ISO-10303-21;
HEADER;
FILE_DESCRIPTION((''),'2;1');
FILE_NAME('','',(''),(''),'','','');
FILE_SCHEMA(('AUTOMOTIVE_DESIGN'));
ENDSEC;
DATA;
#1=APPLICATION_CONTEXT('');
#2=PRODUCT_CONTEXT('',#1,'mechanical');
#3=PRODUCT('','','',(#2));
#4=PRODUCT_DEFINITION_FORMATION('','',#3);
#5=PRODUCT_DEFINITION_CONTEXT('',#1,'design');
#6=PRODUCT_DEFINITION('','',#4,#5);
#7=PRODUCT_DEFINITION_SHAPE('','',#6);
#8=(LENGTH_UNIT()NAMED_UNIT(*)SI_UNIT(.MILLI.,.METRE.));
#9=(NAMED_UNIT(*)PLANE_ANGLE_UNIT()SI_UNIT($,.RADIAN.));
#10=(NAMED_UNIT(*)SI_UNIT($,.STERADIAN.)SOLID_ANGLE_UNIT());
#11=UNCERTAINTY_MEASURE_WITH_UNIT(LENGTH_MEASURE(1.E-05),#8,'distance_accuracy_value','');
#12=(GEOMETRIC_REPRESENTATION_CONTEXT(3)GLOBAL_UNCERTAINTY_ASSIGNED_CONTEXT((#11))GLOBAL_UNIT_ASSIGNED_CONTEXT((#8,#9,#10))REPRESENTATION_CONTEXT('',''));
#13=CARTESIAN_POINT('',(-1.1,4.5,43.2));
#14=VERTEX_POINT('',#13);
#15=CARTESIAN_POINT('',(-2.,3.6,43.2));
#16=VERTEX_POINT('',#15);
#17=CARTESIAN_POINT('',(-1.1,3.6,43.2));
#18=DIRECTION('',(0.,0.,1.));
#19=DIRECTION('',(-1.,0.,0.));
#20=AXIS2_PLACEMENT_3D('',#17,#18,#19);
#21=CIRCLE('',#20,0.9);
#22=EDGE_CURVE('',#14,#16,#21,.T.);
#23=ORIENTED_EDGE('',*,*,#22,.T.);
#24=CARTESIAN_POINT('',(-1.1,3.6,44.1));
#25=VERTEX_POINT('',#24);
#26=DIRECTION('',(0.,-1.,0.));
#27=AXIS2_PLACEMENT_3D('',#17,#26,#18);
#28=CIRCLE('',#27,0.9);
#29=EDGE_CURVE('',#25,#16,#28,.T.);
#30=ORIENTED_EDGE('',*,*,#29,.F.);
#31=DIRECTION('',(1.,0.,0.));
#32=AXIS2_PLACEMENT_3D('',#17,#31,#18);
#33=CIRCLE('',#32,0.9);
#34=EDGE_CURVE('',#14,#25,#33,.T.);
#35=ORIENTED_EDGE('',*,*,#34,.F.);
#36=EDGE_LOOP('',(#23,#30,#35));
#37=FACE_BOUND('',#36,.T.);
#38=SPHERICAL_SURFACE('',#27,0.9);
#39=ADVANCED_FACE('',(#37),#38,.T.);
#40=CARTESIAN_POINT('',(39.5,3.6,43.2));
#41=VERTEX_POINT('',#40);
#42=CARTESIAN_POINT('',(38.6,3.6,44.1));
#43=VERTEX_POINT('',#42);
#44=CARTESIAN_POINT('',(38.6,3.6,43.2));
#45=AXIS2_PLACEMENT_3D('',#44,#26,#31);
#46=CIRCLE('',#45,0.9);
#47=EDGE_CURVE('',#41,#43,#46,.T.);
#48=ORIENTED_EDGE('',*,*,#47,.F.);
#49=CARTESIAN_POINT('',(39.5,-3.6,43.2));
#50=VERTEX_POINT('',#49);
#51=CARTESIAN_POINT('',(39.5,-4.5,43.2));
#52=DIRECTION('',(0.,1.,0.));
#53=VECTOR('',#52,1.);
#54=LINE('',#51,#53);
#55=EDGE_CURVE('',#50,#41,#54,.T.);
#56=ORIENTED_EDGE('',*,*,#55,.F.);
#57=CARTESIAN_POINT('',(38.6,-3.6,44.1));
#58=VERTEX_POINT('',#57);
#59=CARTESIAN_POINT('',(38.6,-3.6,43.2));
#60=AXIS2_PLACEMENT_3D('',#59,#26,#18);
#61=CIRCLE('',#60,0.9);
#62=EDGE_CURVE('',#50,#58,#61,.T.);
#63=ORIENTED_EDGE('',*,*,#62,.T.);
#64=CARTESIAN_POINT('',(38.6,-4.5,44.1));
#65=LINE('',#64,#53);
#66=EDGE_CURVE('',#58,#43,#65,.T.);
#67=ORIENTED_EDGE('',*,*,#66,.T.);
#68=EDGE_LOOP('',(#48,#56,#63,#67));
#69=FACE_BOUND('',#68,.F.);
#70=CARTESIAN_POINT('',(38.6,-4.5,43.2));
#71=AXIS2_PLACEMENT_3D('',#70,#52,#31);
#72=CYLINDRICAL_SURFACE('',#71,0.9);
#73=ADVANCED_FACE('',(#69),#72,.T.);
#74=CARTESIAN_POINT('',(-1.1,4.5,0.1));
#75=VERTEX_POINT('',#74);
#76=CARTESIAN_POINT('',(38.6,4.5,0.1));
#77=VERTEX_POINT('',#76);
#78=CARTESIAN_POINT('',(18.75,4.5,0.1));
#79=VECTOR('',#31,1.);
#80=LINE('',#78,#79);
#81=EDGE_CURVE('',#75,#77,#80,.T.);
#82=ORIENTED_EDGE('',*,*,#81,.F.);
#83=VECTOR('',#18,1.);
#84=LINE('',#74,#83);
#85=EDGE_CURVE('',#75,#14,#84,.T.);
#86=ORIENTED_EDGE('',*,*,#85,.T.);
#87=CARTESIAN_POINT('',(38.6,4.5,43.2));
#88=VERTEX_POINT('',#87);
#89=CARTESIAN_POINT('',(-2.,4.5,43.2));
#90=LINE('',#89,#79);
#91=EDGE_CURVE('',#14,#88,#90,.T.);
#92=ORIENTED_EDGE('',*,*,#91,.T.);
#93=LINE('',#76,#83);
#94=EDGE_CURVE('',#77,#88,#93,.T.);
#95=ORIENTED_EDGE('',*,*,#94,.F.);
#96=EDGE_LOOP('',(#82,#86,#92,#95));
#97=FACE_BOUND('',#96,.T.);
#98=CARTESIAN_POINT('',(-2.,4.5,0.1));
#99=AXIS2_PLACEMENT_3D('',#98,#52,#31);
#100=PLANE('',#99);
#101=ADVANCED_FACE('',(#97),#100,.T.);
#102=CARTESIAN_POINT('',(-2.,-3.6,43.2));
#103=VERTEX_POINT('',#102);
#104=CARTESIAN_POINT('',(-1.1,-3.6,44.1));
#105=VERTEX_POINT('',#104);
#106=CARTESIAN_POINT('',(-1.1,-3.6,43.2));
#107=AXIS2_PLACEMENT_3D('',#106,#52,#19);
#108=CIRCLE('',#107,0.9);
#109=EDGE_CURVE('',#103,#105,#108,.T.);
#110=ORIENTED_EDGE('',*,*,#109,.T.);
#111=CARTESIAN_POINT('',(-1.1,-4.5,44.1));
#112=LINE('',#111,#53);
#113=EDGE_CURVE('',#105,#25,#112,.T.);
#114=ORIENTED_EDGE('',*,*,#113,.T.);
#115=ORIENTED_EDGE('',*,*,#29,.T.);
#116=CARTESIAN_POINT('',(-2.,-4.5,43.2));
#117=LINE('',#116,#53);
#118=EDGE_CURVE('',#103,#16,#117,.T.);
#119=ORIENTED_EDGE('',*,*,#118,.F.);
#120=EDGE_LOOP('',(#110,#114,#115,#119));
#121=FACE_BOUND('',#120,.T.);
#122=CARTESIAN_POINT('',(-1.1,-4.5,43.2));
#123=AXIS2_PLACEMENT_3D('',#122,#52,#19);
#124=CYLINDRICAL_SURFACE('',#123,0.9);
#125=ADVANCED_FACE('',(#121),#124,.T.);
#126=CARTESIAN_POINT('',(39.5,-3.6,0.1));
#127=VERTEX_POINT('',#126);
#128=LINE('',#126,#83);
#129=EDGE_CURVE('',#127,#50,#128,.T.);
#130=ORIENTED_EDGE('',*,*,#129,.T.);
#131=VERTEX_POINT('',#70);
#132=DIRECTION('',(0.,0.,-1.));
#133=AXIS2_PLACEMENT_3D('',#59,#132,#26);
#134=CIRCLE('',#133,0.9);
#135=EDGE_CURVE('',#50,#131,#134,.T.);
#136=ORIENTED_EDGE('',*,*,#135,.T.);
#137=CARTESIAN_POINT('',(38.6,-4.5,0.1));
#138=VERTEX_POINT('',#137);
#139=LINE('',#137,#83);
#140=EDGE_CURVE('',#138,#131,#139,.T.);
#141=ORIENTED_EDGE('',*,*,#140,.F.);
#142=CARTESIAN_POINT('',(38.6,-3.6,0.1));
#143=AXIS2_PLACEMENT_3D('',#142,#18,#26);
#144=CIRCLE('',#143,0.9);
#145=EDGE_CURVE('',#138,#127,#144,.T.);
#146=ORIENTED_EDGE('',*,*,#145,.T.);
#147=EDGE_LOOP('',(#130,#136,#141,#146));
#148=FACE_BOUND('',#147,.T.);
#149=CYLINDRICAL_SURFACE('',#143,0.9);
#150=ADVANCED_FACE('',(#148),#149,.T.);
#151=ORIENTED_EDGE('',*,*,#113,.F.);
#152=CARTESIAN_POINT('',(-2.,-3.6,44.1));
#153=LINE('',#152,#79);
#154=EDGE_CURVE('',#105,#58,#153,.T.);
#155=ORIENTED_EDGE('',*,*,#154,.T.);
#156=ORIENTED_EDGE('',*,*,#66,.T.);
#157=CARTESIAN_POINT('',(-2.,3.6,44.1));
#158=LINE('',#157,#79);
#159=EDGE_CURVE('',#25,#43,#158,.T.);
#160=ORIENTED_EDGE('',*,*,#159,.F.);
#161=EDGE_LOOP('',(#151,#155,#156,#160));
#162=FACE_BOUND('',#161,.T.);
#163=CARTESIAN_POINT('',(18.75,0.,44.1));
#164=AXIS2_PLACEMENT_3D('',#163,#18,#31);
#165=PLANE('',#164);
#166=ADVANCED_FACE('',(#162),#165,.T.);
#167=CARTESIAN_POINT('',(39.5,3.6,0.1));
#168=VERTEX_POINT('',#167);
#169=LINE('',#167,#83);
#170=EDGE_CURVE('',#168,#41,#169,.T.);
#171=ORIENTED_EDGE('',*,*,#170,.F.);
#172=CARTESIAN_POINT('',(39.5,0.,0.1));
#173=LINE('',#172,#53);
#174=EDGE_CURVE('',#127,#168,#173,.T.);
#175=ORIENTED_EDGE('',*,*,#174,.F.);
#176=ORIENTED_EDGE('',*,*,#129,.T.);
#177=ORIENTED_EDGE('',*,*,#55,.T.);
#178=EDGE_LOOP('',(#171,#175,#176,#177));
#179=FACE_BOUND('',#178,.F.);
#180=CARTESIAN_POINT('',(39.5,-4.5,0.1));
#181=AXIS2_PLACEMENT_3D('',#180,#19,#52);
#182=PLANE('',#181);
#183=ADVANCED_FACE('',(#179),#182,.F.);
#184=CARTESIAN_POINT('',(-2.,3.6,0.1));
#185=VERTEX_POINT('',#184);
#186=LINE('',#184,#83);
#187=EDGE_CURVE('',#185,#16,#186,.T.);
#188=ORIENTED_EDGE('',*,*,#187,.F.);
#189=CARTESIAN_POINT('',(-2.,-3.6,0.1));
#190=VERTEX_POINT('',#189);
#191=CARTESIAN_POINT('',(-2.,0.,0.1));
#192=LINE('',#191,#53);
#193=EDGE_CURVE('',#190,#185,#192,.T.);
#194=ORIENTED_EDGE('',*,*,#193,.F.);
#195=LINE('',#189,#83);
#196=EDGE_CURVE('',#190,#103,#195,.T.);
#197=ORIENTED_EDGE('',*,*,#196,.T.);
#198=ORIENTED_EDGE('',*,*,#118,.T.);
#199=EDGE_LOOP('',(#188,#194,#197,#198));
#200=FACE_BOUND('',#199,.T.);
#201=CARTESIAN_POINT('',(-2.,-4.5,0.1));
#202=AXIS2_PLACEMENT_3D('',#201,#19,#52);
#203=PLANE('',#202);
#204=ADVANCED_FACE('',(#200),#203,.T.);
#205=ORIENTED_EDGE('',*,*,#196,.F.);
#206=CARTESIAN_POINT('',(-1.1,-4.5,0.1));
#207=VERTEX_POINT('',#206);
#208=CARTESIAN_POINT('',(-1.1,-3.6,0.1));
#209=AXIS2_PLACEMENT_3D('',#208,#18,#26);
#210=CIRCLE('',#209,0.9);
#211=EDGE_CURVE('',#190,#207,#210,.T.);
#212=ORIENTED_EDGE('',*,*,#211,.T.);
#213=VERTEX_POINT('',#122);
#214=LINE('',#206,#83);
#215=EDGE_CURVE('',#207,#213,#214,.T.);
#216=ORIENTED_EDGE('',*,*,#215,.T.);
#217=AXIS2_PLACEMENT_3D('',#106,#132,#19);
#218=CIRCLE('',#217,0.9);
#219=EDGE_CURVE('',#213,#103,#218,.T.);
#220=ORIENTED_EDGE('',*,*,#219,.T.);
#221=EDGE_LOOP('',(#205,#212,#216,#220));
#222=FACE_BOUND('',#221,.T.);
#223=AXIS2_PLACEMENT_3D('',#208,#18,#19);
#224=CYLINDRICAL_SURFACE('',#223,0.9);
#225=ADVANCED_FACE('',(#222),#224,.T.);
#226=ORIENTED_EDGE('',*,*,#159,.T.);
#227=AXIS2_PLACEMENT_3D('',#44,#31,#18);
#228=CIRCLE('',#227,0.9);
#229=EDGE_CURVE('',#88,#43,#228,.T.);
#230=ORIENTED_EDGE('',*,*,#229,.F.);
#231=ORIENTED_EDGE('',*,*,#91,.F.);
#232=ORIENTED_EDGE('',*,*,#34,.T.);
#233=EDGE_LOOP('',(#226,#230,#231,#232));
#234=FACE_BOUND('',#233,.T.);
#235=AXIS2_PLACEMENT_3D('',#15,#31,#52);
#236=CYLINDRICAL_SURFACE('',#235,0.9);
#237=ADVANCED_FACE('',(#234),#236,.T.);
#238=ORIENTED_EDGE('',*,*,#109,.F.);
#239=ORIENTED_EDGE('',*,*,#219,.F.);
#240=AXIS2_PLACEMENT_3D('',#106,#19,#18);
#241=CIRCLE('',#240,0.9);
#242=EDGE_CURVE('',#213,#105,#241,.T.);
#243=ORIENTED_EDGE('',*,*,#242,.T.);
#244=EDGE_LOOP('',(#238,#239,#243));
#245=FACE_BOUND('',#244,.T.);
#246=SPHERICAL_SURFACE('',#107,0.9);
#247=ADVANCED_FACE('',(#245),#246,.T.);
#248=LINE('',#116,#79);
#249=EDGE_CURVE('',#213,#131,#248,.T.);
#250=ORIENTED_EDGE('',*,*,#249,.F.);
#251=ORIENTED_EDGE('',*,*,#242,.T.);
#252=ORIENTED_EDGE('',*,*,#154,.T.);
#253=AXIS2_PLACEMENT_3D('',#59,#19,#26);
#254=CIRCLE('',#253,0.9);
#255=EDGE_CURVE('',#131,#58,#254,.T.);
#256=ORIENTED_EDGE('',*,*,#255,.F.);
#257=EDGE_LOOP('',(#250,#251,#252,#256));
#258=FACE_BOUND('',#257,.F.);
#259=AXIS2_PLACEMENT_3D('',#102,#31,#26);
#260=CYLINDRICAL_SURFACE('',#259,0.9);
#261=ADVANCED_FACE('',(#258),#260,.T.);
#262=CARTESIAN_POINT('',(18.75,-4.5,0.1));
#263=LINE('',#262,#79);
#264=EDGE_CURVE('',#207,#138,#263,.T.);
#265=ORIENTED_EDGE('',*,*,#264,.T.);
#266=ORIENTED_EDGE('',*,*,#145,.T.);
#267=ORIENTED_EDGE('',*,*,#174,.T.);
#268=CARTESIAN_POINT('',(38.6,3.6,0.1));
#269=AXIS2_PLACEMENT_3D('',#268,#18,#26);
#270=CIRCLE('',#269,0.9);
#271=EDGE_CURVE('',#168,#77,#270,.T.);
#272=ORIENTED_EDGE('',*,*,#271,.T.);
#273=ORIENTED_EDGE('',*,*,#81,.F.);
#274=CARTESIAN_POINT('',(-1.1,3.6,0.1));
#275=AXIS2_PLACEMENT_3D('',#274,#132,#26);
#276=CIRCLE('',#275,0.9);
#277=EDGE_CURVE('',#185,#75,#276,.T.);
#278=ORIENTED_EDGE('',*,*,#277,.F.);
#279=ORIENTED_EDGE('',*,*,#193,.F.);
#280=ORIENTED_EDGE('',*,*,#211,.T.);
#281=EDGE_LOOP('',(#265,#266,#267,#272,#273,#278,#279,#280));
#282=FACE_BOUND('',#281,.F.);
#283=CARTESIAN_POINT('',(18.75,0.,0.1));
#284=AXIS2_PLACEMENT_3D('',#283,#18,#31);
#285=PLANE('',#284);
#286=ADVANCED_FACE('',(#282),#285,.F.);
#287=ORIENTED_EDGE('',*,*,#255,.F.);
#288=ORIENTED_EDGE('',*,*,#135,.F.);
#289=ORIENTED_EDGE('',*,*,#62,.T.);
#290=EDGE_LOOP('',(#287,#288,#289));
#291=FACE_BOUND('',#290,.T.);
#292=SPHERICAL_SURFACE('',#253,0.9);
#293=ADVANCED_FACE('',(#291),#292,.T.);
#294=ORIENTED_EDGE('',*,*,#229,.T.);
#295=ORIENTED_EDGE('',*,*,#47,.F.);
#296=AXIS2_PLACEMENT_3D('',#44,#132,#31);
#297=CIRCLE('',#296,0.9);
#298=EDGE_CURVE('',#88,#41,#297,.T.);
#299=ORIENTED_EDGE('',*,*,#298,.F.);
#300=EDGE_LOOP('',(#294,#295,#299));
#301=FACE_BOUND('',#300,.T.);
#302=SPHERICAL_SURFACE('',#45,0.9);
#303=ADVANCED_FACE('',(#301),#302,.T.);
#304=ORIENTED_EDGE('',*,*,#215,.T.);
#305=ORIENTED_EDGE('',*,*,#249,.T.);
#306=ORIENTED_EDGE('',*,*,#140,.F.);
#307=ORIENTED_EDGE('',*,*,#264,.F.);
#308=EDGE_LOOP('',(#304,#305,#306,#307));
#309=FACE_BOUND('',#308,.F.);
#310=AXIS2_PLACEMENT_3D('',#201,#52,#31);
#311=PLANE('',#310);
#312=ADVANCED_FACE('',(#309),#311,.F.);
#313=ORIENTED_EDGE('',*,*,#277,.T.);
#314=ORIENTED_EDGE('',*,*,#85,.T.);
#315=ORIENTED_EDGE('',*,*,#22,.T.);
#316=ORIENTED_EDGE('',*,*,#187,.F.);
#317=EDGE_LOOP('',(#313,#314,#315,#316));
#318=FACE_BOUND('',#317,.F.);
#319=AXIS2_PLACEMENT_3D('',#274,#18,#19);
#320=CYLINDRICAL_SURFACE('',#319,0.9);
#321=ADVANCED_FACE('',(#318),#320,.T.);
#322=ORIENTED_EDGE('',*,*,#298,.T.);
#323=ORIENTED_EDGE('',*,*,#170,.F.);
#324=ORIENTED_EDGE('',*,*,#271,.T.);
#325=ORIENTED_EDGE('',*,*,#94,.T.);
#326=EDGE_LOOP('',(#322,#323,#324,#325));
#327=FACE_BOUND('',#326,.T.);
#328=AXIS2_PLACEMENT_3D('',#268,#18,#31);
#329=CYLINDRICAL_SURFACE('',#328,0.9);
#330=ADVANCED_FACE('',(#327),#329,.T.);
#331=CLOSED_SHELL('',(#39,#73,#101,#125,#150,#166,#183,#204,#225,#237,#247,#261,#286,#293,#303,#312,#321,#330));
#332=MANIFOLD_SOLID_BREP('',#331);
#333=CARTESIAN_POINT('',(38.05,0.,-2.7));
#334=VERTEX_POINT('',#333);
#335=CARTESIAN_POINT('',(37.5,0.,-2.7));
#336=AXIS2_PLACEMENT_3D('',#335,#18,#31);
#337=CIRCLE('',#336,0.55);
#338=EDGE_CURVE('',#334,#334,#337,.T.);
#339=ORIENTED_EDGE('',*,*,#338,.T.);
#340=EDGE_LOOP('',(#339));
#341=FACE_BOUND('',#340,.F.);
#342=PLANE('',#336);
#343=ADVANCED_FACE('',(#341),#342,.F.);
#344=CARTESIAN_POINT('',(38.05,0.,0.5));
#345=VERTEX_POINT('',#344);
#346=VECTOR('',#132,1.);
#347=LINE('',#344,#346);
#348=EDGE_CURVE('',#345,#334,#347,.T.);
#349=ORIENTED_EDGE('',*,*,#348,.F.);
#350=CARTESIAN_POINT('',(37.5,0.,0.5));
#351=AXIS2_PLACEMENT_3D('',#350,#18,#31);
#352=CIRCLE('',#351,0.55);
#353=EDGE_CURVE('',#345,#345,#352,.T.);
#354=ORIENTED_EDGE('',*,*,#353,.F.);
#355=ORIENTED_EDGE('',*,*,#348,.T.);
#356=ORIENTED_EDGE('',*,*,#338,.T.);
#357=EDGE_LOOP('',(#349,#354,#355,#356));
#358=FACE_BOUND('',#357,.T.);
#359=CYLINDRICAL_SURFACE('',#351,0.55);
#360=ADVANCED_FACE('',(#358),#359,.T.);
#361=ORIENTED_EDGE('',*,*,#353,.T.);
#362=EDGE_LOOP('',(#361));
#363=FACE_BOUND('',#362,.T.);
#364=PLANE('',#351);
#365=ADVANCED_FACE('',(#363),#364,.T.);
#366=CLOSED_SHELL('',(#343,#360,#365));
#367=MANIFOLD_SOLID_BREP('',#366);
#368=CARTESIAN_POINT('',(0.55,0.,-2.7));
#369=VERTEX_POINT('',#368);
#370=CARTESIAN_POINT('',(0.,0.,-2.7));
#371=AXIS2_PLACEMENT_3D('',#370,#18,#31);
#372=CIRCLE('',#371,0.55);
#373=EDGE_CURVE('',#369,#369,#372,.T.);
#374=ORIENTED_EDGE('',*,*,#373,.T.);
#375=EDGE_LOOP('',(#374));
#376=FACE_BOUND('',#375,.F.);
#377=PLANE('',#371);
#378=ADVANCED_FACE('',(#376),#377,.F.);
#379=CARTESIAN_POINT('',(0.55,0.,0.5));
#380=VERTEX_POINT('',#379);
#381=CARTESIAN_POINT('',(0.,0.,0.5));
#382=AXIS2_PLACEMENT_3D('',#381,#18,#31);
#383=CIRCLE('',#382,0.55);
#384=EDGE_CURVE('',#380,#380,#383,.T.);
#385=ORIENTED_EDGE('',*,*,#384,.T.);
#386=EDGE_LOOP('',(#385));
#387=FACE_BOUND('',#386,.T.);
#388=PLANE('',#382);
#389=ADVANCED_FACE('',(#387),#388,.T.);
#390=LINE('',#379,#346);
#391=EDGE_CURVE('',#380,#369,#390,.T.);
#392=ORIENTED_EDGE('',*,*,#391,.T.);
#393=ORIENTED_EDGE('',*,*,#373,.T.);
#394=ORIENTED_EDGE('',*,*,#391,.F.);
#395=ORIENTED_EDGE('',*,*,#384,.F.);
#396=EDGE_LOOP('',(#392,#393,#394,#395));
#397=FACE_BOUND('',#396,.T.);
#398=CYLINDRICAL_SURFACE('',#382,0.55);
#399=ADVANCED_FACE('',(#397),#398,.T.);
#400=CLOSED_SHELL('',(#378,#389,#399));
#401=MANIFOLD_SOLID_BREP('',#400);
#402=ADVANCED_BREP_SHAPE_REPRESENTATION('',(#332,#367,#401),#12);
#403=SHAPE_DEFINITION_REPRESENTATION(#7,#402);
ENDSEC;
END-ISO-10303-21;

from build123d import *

# Parameters (mm, degrees)
SKETCH_W     = 41.5
SKETCH_H     = 9
PAD_DEPTH    = 44
FILLET_R     = 0.9
SKETCH001_R  = 0.55
PAD001_DEPTH = 3.2


with BuildPart() as fillet_body:
    # Sketch → Pad (new body)
    with BuildSketch(Plane.XY.offset(0.1)):
        with Locations((18.75, 0)):
            Rectangle(SKETCH_W, SKETCH_H)
    extrude(amount=PAD_DEPTH)

    # Fillet
    fillet_edges = [fillet_body.edges().sort_by_distance(p)[0] for p in [
        (-2, 0, 44.1),
        (-2, -4.5, 22.1),
        (18.75, -4.5, 44.1),
        (39.5, -4.5, 22.1),
        (39.5, 0, 44.1),
        (39.5, 4.5, 22.1),
        (18.75, 4.5, 44.1),
        (-2, 4.5, 22.1),
    ]]
    fillet(fillet_edges, radius=FILLET_R)


with BuildPart() as pad001:
    # Sketch001 → Pad001 (new body)
    with BuildSketch(Plane.XY.offset(0.5)):
        Circle(SKETCH001_R)
        with Locations((37.5, 0)):
            Circle(SKETCH001_R)
    extrude(amount=-PAD001_DEPTH)


solid = Compound([fillet_body.part, pad001.part])
